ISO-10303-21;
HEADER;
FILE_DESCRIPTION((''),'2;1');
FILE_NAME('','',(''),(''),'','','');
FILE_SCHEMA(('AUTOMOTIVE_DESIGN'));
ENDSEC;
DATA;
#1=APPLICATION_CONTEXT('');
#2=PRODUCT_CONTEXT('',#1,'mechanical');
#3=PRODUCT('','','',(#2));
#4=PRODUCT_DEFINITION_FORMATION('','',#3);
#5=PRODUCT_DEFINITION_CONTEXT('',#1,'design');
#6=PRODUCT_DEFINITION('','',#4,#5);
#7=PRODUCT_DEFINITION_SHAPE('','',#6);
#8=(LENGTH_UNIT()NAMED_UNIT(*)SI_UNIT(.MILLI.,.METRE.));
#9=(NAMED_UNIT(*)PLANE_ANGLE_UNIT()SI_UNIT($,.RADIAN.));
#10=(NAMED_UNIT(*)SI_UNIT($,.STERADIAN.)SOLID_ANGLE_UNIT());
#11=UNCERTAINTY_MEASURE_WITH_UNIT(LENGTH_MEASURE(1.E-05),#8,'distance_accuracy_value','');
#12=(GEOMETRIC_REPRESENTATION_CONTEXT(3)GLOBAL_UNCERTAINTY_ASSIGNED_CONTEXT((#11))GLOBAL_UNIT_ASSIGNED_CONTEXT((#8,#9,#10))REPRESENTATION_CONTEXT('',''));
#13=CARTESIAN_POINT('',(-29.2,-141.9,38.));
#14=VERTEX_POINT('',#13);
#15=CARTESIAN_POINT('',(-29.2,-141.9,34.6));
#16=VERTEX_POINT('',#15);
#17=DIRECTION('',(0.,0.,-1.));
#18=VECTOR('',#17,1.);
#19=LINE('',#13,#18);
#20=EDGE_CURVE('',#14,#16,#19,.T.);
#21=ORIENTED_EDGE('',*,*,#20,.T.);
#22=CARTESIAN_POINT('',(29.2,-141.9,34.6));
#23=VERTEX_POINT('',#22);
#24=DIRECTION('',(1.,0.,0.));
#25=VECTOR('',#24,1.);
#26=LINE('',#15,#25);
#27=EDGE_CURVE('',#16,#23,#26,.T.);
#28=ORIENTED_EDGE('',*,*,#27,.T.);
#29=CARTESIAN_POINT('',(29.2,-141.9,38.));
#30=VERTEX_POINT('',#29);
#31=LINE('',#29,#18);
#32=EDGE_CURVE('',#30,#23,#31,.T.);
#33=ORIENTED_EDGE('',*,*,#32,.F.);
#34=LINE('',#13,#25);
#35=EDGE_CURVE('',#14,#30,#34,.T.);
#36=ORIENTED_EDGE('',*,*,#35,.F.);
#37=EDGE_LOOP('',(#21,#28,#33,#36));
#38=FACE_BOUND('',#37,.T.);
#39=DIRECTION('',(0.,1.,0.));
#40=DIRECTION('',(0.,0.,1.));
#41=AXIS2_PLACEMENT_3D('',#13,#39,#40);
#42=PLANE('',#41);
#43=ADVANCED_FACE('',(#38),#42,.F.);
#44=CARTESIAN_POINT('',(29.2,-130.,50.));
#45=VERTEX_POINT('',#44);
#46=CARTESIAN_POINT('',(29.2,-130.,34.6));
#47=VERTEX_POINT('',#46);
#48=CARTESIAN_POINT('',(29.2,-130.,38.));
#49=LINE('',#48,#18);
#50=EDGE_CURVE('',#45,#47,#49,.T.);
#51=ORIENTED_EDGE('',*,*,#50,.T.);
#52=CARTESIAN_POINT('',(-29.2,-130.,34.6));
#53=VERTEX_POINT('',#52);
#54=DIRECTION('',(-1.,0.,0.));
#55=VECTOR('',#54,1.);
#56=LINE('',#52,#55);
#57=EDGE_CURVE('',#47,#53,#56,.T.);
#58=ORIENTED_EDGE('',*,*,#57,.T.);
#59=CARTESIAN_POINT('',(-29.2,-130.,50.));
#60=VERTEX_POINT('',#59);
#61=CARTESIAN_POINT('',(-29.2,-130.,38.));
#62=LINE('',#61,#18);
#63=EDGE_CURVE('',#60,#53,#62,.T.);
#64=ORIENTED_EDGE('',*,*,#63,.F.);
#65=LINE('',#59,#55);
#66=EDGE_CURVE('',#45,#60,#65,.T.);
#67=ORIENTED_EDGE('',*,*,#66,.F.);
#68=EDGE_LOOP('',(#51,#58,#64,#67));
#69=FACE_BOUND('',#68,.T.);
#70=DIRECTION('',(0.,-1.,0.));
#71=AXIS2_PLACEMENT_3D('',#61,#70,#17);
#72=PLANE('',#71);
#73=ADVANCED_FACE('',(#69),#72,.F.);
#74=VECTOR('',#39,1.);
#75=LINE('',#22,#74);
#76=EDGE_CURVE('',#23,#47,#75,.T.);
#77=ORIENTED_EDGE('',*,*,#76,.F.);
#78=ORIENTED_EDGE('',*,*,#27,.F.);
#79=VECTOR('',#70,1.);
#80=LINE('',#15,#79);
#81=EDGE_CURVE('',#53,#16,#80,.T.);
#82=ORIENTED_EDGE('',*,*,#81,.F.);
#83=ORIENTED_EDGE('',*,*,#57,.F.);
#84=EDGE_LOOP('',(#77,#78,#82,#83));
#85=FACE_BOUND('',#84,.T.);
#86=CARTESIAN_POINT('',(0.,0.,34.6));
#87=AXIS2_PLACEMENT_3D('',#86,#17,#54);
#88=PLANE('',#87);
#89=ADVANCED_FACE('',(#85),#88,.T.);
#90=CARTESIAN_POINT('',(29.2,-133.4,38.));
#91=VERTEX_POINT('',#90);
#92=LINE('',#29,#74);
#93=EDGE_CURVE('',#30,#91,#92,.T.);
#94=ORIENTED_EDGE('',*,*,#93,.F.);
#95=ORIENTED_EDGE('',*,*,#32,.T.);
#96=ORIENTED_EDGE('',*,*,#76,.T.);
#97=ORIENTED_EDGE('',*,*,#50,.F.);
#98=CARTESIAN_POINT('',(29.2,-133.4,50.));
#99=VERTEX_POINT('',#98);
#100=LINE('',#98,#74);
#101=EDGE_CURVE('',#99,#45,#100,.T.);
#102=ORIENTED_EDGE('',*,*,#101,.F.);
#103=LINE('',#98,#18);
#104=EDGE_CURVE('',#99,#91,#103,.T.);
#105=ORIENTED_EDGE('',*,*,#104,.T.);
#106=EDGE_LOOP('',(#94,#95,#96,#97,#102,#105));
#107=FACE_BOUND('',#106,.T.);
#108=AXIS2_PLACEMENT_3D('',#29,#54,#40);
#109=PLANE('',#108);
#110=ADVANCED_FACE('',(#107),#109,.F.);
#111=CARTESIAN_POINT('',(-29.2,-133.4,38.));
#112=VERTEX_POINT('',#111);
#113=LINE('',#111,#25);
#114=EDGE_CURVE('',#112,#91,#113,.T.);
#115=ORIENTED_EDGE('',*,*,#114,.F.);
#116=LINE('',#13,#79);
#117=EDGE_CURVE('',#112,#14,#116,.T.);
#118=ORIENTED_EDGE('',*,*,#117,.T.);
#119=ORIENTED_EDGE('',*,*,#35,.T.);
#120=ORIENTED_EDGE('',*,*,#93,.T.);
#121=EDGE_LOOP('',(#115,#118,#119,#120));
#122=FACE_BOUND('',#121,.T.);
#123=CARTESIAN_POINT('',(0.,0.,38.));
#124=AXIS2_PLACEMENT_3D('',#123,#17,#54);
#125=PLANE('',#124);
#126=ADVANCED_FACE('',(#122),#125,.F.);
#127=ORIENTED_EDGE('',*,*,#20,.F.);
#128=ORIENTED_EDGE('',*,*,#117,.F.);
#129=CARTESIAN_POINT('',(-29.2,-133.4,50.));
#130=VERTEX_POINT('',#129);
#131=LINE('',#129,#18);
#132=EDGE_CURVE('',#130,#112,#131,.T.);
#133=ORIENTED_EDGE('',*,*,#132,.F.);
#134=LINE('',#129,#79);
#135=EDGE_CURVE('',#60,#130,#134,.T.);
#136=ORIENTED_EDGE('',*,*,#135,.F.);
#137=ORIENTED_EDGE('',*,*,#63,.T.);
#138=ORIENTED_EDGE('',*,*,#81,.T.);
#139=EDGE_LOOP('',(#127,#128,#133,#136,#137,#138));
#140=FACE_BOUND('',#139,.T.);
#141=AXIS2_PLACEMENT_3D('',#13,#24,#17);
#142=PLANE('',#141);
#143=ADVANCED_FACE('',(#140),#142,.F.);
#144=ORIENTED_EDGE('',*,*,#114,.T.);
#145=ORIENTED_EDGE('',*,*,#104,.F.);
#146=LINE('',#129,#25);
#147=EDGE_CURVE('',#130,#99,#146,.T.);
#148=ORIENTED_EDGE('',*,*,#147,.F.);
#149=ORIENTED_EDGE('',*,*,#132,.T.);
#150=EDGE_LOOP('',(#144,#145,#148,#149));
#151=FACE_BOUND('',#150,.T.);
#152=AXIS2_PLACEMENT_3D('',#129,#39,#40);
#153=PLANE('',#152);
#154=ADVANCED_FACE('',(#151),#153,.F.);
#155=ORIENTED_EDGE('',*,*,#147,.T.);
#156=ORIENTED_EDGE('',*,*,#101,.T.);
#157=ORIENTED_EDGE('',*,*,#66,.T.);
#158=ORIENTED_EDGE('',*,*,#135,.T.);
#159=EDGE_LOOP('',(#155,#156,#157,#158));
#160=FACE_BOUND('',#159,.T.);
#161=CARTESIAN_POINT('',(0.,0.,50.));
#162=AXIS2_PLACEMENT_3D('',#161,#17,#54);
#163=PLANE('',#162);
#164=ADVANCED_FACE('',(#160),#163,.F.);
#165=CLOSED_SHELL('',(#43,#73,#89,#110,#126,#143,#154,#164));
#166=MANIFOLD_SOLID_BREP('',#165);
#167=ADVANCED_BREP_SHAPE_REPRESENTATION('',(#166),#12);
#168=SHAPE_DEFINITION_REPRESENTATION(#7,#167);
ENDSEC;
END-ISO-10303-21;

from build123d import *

# Parameters (mm, degrees)
FEMALE_MATING_FOOT_VERIFY_START                = 34.6
SKETCH_1_W                                     = 58.4
SKETCH_1_H                                     = 11.9
FEMALE_MATING_FOOT_VERIFY_DEPTH                = 3.4
RIGHT_ANGLE_SOCKET_INFERRED_NOT_CERTIFIE_START = 38
SKETCH_2_W                                     = 58.4
SKETCH_2_H                                     = 3.4
RIGHT_ANGLE_SOCKET_INFERRED_NOT_CERTIFIE_DEPTH = 12


with BuildPart() as part:
    # 草图1 → Female_mating_foot_VERIFY (new body)
    with BuildSketch(Plane.XY.offset(FEMALE_MATING_FOOT_VERIFY_START)):
        with Locations((0, -135.95)):
            Rectangle(SKETCH_1_W, SKETCH_1_H)
    extrude(amount=FEMALE_MATING_FOOT_VERIFY_DEPTH)

    # 草图2 → Right_angle_socket_INFERRED_NOT_CERTIFIED (add)
    with BuildSketch(Plane.XY.offset(RIGHT_ANGLE_SOCKET_INFERRED_NOT_CERTIFIE_START)):
        with Locations((0, -131.7)):
            Rectangle(SKETCH_2_W, SKETCH_2_H)
    extrude(amount=RIGHT_ANGLE_SOCKET_INFERRED_NOT_CERTIFIE_DEPTH)


solid = part.part
